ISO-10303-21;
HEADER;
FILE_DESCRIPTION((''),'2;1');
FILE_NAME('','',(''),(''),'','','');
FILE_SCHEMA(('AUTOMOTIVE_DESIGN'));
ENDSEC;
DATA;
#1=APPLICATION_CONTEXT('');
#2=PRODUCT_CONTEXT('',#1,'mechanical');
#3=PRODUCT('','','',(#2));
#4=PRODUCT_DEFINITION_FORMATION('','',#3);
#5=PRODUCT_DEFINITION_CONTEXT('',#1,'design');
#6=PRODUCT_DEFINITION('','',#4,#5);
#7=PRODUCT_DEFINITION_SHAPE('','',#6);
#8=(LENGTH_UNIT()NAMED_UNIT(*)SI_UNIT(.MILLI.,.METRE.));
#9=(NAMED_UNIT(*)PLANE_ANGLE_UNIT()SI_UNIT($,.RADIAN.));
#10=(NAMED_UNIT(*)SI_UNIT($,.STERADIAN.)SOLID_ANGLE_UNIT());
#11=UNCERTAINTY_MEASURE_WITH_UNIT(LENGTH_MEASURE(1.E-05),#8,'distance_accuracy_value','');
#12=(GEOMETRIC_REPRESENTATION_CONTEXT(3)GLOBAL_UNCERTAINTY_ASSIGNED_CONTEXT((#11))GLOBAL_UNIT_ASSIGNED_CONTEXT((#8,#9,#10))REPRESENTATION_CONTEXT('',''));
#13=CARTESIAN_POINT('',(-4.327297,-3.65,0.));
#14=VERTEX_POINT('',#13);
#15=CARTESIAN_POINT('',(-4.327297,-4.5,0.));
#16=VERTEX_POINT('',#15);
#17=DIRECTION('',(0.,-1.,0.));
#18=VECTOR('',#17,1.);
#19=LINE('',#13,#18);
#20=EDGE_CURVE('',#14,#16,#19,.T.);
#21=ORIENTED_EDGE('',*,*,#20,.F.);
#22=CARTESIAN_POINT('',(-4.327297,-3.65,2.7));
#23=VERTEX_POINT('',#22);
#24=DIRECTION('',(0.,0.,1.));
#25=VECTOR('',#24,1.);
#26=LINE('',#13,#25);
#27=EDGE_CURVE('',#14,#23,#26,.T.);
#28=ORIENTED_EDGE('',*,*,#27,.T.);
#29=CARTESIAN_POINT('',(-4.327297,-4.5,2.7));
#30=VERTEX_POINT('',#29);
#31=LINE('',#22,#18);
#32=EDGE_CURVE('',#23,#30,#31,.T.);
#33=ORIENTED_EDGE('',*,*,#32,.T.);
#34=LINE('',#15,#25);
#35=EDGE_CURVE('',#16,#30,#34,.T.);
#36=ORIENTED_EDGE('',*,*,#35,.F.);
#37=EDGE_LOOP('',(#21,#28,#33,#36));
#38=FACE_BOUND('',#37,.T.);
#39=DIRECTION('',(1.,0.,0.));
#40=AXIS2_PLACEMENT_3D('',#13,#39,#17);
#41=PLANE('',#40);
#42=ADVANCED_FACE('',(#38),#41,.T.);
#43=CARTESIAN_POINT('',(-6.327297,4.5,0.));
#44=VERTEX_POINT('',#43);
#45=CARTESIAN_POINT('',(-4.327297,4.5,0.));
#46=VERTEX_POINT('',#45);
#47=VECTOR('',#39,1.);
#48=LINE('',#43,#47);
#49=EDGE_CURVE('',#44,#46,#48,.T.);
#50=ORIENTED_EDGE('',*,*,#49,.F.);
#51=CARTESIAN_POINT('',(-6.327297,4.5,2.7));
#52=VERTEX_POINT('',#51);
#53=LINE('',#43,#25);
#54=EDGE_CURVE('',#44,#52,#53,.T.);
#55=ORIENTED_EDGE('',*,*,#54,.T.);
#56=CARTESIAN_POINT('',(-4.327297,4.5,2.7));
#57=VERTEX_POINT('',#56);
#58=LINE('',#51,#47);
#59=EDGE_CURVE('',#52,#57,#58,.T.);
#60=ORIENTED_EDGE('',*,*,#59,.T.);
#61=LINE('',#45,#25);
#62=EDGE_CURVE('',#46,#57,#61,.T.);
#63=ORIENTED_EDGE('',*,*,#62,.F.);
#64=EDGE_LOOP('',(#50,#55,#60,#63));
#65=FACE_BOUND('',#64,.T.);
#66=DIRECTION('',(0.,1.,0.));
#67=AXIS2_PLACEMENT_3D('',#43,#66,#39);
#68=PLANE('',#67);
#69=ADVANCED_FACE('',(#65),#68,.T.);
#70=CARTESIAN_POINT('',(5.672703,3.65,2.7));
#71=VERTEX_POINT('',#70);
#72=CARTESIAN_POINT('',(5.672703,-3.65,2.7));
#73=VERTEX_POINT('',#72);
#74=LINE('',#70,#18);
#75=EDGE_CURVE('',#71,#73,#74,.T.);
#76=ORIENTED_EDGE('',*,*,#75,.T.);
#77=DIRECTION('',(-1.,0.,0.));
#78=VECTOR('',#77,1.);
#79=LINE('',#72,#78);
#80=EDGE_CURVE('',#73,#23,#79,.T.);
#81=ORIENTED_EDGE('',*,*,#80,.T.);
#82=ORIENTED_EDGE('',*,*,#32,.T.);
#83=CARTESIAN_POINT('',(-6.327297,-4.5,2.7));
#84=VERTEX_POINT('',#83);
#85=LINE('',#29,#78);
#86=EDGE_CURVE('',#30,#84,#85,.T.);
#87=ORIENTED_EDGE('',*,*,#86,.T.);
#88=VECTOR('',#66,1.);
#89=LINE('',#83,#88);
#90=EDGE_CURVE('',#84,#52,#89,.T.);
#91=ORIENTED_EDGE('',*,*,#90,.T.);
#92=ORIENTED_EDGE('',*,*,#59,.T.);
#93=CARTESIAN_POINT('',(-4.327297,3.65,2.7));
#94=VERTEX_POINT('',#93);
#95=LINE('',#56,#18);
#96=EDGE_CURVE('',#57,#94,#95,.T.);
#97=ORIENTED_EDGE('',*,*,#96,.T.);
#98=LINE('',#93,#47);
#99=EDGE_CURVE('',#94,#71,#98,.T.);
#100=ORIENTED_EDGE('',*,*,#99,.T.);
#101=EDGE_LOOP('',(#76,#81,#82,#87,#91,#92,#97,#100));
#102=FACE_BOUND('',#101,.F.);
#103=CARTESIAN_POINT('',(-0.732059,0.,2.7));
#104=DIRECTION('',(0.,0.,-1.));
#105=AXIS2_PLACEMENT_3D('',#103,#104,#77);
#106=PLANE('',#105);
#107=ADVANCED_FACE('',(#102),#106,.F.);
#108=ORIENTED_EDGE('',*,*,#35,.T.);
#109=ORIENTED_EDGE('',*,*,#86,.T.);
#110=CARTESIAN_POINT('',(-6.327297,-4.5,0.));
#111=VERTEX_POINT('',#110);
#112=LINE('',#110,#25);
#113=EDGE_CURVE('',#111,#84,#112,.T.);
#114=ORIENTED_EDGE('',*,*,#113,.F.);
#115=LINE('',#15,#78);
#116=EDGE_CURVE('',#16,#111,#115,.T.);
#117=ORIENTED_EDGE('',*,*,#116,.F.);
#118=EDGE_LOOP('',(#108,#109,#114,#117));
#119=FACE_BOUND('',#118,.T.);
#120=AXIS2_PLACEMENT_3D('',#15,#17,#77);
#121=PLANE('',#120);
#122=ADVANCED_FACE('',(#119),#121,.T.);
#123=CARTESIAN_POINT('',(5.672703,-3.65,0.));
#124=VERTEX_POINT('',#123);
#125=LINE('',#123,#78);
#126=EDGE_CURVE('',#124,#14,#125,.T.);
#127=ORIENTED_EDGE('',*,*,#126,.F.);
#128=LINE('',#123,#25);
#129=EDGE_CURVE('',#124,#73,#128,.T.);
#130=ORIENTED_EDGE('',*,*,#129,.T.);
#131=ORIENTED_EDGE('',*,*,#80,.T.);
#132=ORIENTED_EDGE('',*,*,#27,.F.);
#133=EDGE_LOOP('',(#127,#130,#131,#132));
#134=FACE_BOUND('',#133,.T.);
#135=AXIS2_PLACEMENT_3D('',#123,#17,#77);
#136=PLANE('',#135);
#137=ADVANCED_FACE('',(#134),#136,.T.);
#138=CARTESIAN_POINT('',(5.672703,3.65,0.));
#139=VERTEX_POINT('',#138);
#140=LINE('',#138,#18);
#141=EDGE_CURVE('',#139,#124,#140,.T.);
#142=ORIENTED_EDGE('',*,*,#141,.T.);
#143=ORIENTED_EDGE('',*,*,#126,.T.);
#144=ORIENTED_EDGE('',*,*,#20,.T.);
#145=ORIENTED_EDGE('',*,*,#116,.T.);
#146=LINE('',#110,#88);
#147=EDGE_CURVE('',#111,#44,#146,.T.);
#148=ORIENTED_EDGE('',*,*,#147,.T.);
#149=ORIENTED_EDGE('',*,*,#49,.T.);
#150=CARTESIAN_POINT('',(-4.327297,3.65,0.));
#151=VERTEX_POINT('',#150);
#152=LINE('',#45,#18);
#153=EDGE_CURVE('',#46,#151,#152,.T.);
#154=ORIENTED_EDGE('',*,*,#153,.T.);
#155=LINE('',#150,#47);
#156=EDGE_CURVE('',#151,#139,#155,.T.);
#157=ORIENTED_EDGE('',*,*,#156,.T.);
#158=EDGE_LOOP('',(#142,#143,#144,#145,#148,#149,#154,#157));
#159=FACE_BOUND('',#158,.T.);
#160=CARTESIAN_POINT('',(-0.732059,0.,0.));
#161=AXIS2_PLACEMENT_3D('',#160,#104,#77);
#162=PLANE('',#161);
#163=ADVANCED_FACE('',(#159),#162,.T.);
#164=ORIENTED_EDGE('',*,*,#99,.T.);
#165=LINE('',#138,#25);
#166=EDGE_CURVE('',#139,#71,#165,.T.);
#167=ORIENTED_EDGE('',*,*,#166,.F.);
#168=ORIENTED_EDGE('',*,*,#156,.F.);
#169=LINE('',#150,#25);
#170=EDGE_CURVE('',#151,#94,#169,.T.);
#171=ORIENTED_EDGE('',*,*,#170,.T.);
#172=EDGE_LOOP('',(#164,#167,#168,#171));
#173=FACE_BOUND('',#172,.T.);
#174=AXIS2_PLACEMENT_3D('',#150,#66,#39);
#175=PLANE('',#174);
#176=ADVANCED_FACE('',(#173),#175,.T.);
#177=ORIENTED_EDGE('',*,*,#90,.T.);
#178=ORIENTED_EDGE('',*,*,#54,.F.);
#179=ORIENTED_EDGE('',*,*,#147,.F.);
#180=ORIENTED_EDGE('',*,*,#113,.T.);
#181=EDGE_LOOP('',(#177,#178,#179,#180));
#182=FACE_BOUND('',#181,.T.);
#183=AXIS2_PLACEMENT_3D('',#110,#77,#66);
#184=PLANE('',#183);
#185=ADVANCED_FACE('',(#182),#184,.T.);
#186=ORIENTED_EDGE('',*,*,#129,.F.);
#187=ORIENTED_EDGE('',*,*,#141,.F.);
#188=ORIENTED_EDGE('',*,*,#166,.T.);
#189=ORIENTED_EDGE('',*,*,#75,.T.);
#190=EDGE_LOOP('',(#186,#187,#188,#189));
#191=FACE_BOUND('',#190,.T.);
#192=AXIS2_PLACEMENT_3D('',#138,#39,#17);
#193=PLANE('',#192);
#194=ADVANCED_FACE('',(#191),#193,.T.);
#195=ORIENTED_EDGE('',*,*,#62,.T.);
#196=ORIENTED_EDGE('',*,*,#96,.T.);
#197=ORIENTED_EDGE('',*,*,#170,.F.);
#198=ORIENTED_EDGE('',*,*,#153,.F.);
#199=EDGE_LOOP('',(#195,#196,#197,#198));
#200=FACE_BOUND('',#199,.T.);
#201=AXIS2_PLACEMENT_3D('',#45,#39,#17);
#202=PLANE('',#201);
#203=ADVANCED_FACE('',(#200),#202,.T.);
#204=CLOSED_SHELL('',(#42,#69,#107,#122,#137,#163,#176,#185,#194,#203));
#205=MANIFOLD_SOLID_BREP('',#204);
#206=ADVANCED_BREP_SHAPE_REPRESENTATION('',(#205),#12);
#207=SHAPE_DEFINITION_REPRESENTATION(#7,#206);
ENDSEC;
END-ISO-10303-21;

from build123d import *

# Parameters (mm, degrees)
PAD_DEPTH = 2.7


with BuildPart() as part:
    # Sketch → Pad (new body)
    with BuildSketch(Plane.XY):
        Polygon((-4.327297, 3.65), (5.672703, 3.65), (5.672703, -3.65), (-4.327297, -3.65), (-4.327297, -4.5), (-6.327297, -4.5), (-6.327297, 4.5), (-4.327297, 4.5), align=None)
    extrude(amount=PAD_DEPTH)


solid = part.part
